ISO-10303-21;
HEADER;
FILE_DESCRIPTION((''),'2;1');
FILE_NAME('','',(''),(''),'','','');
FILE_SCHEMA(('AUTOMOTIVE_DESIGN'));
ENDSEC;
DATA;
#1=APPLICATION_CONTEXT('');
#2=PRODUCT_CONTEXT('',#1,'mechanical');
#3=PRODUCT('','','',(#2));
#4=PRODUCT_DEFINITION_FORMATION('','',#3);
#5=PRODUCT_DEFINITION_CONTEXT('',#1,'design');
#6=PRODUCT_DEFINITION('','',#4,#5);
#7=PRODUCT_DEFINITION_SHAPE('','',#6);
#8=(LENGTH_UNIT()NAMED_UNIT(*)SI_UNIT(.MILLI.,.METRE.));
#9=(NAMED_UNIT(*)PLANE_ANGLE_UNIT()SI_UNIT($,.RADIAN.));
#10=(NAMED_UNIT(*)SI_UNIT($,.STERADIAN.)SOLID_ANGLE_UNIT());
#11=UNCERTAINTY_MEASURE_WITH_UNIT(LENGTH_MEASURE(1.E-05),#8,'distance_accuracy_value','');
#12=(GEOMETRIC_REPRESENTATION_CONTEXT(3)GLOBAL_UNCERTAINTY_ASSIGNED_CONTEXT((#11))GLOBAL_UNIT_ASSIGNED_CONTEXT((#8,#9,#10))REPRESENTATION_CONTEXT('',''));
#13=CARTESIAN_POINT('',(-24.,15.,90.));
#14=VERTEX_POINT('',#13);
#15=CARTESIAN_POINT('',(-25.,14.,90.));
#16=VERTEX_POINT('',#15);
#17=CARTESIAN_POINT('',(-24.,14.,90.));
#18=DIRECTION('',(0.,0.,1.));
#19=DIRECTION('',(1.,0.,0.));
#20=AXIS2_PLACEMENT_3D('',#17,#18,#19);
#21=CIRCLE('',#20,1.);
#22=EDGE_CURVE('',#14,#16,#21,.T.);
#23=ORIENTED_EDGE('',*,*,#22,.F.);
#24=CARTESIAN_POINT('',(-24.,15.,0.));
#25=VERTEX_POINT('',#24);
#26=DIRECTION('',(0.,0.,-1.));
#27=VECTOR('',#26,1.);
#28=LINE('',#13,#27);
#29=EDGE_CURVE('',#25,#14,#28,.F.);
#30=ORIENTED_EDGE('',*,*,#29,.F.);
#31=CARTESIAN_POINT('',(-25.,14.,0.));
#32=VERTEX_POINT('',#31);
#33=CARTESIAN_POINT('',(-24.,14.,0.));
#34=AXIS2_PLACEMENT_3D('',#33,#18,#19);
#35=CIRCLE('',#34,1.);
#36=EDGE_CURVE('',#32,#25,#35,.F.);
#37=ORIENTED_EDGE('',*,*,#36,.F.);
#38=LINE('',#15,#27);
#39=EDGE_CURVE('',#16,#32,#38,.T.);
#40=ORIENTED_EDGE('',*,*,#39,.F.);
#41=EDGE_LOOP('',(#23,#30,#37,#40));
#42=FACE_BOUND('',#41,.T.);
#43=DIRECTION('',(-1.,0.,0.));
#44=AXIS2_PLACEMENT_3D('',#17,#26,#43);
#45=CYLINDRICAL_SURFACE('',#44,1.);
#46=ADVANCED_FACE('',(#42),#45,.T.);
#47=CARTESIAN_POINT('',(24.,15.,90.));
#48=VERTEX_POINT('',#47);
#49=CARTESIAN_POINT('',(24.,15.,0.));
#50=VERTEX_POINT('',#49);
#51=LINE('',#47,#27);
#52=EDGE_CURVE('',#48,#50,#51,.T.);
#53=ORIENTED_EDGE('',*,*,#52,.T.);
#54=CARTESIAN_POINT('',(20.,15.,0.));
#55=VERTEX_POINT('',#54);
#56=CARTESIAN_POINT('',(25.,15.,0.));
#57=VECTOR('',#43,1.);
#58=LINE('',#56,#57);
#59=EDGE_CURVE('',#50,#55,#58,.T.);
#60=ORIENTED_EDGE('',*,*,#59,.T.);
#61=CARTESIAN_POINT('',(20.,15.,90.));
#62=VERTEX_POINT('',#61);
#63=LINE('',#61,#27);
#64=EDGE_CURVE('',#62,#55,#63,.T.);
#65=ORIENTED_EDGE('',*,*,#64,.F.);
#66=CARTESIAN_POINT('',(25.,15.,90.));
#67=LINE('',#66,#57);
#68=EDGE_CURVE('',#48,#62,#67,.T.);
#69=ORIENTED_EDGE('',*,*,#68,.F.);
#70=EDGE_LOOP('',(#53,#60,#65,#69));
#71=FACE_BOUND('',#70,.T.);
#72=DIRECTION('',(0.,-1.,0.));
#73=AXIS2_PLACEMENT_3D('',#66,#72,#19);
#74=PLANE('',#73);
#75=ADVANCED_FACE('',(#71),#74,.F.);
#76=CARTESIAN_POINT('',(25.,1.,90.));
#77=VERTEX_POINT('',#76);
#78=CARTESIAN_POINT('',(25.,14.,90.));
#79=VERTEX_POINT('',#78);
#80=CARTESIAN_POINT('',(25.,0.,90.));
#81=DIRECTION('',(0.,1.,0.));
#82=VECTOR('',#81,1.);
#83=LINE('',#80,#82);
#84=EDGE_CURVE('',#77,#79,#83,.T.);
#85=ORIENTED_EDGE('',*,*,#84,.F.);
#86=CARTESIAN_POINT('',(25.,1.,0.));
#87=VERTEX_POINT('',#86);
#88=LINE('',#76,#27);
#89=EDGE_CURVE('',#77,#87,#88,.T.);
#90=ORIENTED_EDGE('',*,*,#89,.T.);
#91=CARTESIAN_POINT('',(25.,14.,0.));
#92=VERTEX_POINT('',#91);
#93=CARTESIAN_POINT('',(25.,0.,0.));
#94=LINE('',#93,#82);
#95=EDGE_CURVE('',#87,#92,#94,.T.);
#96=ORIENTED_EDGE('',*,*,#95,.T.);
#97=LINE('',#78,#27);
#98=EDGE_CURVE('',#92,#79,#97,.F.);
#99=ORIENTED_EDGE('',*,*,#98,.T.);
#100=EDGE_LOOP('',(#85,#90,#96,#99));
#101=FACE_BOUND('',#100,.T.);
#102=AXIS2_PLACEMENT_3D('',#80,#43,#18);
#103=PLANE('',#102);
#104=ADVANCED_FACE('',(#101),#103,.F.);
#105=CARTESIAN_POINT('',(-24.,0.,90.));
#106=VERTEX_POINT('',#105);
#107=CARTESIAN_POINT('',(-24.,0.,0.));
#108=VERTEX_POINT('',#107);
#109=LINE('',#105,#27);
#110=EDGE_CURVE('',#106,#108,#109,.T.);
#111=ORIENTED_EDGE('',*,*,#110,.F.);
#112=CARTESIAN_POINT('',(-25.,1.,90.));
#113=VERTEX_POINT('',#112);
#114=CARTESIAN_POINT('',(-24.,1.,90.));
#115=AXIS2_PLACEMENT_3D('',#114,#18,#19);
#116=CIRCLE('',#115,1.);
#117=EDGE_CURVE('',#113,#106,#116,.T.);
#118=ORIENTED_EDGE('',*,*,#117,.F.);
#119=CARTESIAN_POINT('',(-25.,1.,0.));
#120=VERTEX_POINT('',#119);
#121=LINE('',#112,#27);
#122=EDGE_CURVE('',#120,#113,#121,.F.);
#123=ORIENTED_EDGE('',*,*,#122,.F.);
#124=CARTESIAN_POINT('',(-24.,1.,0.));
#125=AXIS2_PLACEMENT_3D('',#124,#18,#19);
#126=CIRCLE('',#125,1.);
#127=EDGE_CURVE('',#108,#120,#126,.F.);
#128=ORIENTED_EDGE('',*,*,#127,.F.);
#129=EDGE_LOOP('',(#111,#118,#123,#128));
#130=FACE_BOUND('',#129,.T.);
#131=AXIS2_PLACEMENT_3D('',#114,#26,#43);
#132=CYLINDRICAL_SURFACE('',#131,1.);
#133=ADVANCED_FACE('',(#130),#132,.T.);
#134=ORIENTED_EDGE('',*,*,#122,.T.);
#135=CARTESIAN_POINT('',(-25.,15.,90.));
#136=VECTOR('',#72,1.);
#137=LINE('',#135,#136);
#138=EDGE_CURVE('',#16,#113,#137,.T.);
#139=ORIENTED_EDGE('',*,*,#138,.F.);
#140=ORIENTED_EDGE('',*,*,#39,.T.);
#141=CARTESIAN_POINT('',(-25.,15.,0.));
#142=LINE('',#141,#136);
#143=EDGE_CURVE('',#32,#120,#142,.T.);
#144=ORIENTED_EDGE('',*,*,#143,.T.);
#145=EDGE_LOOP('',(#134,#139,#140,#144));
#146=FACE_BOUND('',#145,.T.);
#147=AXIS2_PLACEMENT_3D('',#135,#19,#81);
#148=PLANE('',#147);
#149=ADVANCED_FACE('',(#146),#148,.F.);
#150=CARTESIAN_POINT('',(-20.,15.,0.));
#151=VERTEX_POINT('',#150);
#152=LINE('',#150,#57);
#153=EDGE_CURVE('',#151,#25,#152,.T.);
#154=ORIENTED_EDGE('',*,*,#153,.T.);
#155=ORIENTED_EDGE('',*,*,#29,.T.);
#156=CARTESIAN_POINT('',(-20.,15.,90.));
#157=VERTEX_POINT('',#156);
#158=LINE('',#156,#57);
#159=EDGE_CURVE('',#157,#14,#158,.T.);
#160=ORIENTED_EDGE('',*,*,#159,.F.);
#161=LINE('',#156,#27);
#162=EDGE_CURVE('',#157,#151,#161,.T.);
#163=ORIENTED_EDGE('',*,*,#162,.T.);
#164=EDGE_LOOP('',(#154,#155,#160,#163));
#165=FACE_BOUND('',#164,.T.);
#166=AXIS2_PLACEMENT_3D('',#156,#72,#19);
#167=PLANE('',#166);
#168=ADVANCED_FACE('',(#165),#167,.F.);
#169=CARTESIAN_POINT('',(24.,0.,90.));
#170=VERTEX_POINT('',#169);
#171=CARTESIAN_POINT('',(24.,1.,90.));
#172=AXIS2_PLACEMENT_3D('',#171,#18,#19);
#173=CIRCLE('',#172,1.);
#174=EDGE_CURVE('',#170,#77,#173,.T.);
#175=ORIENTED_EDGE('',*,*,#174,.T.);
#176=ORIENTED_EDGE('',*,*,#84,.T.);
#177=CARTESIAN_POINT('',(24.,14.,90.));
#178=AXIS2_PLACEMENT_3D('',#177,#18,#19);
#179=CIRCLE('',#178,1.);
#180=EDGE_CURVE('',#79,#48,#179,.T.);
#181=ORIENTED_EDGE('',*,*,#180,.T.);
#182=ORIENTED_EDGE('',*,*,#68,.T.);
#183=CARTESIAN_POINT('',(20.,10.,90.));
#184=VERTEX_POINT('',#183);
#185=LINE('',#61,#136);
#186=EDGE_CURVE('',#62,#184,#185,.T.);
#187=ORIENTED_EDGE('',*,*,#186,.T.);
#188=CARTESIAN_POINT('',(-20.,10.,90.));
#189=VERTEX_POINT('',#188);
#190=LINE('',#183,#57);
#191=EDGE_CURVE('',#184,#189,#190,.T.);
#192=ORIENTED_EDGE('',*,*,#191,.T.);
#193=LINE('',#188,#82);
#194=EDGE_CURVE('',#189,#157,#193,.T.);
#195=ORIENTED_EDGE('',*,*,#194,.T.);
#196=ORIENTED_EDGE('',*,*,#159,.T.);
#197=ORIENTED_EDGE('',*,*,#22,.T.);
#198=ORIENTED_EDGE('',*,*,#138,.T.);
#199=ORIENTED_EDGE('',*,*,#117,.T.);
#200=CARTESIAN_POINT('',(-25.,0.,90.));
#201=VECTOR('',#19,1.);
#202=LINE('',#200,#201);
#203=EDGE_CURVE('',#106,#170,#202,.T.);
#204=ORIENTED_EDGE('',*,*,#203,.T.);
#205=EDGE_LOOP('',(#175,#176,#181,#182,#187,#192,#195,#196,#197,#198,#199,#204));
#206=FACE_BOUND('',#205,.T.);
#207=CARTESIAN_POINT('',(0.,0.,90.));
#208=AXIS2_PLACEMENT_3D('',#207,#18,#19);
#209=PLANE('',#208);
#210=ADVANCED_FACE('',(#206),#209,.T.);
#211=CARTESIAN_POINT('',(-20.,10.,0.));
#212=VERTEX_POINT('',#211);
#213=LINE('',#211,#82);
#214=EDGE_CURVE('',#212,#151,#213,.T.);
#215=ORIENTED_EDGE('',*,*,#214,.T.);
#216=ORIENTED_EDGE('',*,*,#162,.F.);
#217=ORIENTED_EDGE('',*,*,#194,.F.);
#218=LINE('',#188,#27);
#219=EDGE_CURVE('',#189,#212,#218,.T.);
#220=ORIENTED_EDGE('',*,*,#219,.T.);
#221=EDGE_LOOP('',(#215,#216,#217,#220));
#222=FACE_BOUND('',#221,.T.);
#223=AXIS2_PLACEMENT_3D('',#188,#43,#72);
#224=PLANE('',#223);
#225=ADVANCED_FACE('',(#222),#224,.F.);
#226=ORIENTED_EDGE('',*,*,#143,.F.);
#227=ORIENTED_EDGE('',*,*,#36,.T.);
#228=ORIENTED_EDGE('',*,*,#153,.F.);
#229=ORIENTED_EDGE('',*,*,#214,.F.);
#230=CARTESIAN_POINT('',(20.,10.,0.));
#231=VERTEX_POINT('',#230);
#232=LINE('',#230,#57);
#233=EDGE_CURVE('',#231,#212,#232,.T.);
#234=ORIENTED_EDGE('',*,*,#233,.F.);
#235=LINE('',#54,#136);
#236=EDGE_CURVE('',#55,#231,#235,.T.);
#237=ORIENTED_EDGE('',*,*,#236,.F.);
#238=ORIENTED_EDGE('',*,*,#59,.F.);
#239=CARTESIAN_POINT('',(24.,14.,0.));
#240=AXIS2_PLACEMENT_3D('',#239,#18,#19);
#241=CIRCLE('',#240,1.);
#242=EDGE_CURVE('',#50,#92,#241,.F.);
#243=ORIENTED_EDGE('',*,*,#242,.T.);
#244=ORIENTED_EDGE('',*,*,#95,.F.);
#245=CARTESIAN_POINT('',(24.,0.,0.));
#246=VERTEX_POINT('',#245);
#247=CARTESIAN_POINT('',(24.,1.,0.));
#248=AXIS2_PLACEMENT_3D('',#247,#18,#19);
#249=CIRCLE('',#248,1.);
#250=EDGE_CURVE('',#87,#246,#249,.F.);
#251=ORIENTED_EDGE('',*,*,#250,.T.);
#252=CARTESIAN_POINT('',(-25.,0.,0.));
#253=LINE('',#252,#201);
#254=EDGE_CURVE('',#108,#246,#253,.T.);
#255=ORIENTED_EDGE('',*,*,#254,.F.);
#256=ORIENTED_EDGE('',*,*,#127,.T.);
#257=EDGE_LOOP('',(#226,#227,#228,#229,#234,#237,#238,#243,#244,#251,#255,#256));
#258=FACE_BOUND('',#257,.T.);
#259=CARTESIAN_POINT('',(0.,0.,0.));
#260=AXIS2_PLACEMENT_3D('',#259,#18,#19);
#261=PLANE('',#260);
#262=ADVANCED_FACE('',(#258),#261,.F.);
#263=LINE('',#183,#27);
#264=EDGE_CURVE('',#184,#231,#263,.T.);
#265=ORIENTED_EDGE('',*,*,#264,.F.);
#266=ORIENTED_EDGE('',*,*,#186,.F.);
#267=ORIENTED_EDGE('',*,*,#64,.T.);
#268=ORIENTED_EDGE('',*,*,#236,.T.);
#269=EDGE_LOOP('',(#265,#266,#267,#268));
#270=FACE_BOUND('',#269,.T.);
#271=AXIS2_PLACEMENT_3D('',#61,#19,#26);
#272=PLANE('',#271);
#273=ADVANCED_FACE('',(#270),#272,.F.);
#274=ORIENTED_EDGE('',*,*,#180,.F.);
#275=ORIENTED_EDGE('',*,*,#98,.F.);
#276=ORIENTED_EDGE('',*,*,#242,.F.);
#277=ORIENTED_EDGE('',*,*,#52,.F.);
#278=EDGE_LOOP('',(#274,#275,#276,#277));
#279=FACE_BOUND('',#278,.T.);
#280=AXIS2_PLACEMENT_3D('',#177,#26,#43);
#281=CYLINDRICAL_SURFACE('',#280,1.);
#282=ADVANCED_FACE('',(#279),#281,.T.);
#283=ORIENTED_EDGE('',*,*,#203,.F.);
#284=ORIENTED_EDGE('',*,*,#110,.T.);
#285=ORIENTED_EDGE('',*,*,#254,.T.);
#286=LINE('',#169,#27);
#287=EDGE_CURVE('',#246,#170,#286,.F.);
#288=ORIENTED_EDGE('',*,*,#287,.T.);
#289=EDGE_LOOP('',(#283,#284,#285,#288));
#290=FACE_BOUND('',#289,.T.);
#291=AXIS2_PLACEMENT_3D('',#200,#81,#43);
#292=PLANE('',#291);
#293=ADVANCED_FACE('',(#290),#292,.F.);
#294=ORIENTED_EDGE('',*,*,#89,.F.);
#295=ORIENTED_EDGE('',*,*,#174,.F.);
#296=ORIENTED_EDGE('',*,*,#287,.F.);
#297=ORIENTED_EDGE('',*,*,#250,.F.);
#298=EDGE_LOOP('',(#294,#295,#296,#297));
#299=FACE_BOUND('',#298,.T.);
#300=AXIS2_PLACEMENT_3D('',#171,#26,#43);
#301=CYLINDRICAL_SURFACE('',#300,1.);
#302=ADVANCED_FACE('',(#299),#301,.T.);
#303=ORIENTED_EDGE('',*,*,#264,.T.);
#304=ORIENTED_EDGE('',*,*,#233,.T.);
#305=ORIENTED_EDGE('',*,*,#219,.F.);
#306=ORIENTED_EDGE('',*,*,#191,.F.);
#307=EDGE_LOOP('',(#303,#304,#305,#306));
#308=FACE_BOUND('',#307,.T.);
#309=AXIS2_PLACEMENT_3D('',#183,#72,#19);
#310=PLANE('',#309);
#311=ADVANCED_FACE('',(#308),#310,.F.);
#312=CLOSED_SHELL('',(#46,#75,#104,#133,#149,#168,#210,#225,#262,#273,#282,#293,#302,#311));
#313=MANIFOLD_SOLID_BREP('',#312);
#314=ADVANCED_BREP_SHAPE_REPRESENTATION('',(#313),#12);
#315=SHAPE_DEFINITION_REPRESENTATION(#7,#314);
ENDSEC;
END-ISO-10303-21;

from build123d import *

# Parameters (mm, degrees)
BOSS_EXTRUDE1_DEPTH = 90
FILLET1_R           = 1


with BuildPart() as part:
    # Sketch1 → Boss-Extrude1 (new body)
    with BuildSketch(Plane.XY):
        Polygon((-25, 0), (25, 0), (25, 15), (20, 15), (20, 10), (-20, 10), (-20, 15), (-25, 15), align=None)
    extrude(amount=BOSS_EXTRUDE1_DEPTH)

    # Fillet1
    fillet1_edges = [part.edges().sort_by_distance(p)[0] for p in [
        (-25, 15, 45),
        (25, 15, 45),
        (25, 0, 45),
        (-25, 0, 45),
    ]]
    fillet(fillet1_edges, radius=FILLET1_R)


solid = part.part
